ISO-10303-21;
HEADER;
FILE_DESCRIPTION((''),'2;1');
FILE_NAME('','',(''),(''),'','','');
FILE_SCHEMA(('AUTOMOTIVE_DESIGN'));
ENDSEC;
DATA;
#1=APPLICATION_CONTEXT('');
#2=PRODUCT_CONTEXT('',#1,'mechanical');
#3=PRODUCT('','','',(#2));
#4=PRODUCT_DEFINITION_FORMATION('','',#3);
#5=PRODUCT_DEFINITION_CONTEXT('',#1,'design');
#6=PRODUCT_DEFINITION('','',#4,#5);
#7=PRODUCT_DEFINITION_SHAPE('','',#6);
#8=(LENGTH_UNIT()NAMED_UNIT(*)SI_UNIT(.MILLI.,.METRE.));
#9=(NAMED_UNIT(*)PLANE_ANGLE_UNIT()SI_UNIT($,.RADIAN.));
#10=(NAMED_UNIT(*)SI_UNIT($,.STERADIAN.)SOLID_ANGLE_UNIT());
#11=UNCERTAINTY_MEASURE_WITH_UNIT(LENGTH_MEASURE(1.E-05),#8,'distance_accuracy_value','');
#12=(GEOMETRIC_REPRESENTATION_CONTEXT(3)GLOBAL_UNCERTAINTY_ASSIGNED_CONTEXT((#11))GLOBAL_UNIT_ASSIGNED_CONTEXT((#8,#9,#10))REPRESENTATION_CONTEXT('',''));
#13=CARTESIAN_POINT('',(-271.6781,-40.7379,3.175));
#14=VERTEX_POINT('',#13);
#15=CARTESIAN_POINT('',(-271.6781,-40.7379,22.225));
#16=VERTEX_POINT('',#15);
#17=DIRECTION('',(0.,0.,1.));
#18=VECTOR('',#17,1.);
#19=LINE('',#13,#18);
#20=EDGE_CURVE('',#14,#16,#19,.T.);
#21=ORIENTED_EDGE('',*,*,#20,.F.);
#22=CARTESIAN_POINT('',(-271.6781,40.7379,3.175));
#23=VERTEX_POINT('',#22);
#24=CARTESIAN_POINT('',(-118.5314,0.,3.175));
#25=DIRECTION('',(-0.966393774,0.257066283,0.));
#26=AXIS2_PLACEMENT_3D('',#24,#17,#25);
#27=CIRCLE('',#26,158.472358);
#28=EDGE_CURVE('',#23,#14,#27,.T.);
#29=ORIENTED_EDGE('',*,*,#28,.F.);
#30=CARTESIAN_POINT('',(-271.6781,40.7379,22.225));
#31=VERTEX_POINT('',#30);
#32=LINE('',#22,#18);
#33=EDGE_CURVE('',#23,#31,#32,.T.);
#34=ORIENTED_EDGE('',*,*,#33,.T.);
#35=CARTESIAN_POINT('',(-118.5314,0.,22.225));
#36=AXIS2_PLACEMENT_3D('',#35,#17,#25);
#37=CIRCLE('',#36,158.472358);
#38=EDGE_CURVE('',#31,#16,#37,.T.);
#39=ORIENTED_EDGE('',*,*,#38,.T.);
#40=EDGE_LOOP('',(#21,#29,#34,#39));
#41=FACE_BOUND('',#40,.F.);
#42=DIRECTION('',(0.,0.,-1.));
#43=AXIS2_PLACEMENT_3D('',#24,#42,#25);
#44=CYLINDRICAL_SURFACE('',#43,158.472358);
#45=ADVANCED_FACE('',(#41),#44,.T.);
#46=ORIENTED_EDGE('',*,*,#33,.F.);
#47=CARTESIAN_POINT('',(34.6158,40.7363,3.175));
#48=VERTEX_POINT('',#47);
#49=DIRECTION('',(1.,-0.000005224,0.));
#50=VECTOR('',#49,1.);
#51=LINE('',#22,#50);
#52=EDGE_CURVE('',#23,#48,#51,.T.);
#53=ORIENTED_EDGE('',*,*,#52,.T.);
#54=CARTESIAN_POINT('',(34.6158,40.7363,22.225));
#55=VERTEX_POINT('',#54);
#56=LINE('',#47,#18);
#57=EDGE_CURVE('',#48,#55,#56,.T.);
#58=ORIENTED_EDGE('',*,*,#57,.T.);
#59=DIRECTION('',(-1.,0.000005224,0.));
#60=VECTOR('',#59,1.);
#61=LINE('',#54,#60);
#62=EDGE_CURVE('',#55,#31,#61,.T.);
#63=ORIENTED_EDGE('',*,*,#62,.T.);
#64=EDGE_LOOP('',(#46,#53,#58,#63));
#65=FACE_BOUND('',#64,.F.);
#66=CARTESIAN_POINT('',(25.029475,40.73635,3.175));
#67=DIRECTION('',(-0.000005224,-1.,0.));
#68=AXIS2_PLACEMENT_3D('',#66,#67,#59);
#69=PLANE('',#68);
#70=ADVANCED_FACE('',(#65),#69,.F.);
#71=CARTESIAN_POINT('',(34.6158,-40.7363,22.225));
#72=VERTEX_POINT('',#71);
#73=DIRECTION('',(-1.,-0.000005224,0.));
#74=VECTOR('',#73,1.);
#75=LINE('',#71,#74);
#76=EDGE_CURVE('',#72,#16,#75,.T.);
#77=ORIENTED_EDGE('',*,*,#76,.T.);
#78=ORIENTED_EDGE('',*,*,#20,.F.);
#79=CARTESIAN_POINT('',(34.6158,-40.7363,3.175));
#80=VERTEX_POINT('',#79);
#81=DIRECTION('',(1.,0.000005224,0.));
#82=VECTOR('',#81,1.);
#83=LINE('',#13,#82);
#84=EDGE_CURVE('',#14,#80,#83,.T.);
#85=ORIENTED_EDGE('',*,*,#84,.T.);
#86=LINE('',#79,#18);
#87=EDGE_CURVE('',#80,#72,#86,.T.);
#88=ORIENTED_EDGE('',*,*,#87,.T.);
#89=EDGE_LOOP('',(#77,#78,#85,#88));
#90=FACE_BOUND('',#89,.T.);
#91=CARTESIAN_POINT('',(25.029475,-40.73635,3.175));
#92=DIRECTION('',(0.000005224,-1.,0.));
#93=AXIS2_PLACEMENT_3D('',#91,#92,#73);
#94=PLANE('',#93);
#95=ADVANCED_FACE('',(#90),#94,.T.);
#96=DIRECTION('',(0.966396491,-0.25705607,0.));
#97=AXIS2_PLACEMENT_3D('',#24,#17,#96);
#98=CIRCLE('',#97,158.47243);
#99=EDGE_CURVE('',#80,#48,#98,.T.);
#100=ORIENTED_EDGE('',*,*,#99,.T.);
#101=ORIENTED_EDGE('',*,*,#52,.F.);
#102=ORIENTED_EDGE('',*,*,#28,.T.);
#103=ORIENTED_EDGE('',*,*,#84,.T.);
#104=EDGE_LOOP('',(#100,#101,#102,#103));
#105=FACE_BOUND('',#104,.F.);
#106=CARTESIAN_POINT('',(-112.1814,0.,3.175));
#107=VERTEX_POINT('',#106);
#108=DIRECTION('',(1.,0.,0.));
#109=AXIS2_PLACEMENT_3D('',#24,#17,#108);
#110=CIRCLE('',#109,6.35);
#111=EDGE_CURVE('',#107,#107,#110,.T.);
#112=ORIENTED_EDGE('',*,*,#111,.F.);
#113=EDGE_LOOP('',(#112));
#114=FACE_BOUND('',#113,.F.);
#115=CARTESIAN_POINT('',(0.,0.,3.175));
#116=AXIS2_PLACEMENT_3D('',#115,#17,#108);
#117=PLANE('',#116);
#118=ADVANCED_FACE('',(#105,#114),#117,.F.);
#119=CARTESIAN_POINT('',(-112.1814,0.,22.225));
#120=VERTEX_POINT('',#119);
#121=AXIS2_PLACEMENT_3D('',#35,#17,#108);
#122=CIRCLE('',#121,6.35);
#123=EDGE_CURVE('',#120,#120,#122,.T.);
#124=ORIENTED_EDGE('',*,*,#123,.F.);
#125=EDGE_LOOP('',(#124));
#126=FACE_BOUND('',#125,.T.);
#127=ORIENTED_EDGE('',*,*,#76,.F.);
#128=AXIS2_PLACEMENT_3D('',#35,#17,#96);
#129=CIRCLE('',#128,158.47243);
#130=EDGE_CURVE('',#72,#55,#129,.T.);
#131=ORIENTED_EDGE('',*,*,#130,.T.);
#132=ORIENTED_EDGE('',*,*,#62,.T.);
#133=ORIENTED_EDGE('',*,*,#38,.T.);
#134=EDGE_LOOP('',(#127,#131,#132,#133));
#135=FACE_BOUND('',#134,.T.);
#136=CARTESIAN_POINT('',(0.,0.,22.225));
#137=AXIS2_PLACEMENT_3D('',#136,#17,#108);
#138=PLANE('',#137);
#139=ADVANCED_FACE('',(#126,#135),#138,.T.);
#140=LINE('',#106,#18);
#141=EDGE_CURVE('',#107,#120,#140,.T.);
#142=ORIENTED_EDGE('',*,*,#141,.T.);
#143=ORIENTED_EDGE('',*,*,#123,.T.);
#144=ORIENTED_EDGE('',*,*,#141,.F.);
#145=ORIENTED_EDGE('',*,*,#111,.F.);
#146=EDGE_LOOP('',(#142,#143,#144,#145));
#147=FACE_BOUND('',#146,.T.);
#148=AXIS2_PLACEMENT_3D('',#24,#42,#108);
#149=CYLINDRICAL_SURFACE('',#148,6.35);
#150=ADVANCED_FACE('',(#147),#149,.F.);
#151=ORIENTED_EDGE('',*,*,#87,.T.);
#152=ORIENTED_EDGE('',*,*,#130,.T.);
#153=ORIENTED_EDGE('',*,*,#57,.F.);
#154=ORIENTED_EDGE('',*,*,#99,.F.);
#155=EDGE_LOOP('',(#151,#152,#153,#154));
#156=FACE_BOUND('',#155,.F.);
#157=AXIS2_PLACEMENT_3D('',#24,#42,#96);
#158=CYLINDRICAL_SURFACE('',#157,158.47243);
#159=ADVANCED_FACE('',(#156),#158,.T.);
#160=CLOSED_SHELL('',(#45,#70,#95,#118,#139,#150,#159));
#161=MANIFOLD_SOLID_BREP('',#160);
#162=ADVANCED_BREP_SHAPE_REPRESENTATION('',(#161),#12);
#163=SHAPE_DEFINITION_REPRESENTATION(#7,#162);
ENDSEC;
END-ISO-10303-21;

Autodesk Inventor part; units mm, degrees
ref_plane "YZ Plane" through (0, 0, 0) normal (1, 0, 0) x (0, 1, 0)
ref_plane "XZ Plane" through (0, 0, 0) normal (0, 1, 0) x (-1, 0, 0)
ref_plane "XY Plane" through (0, 0, 0) normal (0, 0, 1) x (1, 0, 0)
ref_plane "Work Plane1" through (0, 0, 3.175) normal (0, 0, 1) x (1, 0, 0)
sketch "Sketch1" plane through (0, 0, 3.175) normal (0, 0, 1) x (1, 0, 0)
  circle A0 centre (-118.5314, 0) radius 149.2286 projected
  circle A1 centre (-118.5314, 0) radius 6.35 projected
  arc A2 (34.6158, 40.7363) -> (-271.6781, 40.7379) centre (-118.5314, 0) ccw
  line L0 (34.6158, 40.7363) -> (-271.6781, 40.7379)
  line L1 (0, 0) -> (-325.4418, 0) construction
  line L2 (34.6158, -40.7363) -> (-271.6781, -40.7379)
  arc A3 (34.6158, -40.7363) -> (34.6158, 40.7363) centre (-118.5314, 0) ccw
  arc A4 (-271.6781, 40.7379) -> (-271.6781, -40.7379) centre (-118.5314, 0) ccw
  arc A5 (-271.6781, -40.7379) -> (34.6158, -40.7363) centre (-118.5314, 0) ccw
  circle A6 centre (-187.0136, 1.9172) radius 25.6348 projected
  point P0 (0, 0)
extrude "Extrusion1" add sketch "Sketch1" along normal blind 19.05 contours A0 L2 L0 | A0 L0 A3 L2 | A0 L2 A4 L0 | A6
properties part number "pivotMech01_bSide" material "Wood (Maple)"
